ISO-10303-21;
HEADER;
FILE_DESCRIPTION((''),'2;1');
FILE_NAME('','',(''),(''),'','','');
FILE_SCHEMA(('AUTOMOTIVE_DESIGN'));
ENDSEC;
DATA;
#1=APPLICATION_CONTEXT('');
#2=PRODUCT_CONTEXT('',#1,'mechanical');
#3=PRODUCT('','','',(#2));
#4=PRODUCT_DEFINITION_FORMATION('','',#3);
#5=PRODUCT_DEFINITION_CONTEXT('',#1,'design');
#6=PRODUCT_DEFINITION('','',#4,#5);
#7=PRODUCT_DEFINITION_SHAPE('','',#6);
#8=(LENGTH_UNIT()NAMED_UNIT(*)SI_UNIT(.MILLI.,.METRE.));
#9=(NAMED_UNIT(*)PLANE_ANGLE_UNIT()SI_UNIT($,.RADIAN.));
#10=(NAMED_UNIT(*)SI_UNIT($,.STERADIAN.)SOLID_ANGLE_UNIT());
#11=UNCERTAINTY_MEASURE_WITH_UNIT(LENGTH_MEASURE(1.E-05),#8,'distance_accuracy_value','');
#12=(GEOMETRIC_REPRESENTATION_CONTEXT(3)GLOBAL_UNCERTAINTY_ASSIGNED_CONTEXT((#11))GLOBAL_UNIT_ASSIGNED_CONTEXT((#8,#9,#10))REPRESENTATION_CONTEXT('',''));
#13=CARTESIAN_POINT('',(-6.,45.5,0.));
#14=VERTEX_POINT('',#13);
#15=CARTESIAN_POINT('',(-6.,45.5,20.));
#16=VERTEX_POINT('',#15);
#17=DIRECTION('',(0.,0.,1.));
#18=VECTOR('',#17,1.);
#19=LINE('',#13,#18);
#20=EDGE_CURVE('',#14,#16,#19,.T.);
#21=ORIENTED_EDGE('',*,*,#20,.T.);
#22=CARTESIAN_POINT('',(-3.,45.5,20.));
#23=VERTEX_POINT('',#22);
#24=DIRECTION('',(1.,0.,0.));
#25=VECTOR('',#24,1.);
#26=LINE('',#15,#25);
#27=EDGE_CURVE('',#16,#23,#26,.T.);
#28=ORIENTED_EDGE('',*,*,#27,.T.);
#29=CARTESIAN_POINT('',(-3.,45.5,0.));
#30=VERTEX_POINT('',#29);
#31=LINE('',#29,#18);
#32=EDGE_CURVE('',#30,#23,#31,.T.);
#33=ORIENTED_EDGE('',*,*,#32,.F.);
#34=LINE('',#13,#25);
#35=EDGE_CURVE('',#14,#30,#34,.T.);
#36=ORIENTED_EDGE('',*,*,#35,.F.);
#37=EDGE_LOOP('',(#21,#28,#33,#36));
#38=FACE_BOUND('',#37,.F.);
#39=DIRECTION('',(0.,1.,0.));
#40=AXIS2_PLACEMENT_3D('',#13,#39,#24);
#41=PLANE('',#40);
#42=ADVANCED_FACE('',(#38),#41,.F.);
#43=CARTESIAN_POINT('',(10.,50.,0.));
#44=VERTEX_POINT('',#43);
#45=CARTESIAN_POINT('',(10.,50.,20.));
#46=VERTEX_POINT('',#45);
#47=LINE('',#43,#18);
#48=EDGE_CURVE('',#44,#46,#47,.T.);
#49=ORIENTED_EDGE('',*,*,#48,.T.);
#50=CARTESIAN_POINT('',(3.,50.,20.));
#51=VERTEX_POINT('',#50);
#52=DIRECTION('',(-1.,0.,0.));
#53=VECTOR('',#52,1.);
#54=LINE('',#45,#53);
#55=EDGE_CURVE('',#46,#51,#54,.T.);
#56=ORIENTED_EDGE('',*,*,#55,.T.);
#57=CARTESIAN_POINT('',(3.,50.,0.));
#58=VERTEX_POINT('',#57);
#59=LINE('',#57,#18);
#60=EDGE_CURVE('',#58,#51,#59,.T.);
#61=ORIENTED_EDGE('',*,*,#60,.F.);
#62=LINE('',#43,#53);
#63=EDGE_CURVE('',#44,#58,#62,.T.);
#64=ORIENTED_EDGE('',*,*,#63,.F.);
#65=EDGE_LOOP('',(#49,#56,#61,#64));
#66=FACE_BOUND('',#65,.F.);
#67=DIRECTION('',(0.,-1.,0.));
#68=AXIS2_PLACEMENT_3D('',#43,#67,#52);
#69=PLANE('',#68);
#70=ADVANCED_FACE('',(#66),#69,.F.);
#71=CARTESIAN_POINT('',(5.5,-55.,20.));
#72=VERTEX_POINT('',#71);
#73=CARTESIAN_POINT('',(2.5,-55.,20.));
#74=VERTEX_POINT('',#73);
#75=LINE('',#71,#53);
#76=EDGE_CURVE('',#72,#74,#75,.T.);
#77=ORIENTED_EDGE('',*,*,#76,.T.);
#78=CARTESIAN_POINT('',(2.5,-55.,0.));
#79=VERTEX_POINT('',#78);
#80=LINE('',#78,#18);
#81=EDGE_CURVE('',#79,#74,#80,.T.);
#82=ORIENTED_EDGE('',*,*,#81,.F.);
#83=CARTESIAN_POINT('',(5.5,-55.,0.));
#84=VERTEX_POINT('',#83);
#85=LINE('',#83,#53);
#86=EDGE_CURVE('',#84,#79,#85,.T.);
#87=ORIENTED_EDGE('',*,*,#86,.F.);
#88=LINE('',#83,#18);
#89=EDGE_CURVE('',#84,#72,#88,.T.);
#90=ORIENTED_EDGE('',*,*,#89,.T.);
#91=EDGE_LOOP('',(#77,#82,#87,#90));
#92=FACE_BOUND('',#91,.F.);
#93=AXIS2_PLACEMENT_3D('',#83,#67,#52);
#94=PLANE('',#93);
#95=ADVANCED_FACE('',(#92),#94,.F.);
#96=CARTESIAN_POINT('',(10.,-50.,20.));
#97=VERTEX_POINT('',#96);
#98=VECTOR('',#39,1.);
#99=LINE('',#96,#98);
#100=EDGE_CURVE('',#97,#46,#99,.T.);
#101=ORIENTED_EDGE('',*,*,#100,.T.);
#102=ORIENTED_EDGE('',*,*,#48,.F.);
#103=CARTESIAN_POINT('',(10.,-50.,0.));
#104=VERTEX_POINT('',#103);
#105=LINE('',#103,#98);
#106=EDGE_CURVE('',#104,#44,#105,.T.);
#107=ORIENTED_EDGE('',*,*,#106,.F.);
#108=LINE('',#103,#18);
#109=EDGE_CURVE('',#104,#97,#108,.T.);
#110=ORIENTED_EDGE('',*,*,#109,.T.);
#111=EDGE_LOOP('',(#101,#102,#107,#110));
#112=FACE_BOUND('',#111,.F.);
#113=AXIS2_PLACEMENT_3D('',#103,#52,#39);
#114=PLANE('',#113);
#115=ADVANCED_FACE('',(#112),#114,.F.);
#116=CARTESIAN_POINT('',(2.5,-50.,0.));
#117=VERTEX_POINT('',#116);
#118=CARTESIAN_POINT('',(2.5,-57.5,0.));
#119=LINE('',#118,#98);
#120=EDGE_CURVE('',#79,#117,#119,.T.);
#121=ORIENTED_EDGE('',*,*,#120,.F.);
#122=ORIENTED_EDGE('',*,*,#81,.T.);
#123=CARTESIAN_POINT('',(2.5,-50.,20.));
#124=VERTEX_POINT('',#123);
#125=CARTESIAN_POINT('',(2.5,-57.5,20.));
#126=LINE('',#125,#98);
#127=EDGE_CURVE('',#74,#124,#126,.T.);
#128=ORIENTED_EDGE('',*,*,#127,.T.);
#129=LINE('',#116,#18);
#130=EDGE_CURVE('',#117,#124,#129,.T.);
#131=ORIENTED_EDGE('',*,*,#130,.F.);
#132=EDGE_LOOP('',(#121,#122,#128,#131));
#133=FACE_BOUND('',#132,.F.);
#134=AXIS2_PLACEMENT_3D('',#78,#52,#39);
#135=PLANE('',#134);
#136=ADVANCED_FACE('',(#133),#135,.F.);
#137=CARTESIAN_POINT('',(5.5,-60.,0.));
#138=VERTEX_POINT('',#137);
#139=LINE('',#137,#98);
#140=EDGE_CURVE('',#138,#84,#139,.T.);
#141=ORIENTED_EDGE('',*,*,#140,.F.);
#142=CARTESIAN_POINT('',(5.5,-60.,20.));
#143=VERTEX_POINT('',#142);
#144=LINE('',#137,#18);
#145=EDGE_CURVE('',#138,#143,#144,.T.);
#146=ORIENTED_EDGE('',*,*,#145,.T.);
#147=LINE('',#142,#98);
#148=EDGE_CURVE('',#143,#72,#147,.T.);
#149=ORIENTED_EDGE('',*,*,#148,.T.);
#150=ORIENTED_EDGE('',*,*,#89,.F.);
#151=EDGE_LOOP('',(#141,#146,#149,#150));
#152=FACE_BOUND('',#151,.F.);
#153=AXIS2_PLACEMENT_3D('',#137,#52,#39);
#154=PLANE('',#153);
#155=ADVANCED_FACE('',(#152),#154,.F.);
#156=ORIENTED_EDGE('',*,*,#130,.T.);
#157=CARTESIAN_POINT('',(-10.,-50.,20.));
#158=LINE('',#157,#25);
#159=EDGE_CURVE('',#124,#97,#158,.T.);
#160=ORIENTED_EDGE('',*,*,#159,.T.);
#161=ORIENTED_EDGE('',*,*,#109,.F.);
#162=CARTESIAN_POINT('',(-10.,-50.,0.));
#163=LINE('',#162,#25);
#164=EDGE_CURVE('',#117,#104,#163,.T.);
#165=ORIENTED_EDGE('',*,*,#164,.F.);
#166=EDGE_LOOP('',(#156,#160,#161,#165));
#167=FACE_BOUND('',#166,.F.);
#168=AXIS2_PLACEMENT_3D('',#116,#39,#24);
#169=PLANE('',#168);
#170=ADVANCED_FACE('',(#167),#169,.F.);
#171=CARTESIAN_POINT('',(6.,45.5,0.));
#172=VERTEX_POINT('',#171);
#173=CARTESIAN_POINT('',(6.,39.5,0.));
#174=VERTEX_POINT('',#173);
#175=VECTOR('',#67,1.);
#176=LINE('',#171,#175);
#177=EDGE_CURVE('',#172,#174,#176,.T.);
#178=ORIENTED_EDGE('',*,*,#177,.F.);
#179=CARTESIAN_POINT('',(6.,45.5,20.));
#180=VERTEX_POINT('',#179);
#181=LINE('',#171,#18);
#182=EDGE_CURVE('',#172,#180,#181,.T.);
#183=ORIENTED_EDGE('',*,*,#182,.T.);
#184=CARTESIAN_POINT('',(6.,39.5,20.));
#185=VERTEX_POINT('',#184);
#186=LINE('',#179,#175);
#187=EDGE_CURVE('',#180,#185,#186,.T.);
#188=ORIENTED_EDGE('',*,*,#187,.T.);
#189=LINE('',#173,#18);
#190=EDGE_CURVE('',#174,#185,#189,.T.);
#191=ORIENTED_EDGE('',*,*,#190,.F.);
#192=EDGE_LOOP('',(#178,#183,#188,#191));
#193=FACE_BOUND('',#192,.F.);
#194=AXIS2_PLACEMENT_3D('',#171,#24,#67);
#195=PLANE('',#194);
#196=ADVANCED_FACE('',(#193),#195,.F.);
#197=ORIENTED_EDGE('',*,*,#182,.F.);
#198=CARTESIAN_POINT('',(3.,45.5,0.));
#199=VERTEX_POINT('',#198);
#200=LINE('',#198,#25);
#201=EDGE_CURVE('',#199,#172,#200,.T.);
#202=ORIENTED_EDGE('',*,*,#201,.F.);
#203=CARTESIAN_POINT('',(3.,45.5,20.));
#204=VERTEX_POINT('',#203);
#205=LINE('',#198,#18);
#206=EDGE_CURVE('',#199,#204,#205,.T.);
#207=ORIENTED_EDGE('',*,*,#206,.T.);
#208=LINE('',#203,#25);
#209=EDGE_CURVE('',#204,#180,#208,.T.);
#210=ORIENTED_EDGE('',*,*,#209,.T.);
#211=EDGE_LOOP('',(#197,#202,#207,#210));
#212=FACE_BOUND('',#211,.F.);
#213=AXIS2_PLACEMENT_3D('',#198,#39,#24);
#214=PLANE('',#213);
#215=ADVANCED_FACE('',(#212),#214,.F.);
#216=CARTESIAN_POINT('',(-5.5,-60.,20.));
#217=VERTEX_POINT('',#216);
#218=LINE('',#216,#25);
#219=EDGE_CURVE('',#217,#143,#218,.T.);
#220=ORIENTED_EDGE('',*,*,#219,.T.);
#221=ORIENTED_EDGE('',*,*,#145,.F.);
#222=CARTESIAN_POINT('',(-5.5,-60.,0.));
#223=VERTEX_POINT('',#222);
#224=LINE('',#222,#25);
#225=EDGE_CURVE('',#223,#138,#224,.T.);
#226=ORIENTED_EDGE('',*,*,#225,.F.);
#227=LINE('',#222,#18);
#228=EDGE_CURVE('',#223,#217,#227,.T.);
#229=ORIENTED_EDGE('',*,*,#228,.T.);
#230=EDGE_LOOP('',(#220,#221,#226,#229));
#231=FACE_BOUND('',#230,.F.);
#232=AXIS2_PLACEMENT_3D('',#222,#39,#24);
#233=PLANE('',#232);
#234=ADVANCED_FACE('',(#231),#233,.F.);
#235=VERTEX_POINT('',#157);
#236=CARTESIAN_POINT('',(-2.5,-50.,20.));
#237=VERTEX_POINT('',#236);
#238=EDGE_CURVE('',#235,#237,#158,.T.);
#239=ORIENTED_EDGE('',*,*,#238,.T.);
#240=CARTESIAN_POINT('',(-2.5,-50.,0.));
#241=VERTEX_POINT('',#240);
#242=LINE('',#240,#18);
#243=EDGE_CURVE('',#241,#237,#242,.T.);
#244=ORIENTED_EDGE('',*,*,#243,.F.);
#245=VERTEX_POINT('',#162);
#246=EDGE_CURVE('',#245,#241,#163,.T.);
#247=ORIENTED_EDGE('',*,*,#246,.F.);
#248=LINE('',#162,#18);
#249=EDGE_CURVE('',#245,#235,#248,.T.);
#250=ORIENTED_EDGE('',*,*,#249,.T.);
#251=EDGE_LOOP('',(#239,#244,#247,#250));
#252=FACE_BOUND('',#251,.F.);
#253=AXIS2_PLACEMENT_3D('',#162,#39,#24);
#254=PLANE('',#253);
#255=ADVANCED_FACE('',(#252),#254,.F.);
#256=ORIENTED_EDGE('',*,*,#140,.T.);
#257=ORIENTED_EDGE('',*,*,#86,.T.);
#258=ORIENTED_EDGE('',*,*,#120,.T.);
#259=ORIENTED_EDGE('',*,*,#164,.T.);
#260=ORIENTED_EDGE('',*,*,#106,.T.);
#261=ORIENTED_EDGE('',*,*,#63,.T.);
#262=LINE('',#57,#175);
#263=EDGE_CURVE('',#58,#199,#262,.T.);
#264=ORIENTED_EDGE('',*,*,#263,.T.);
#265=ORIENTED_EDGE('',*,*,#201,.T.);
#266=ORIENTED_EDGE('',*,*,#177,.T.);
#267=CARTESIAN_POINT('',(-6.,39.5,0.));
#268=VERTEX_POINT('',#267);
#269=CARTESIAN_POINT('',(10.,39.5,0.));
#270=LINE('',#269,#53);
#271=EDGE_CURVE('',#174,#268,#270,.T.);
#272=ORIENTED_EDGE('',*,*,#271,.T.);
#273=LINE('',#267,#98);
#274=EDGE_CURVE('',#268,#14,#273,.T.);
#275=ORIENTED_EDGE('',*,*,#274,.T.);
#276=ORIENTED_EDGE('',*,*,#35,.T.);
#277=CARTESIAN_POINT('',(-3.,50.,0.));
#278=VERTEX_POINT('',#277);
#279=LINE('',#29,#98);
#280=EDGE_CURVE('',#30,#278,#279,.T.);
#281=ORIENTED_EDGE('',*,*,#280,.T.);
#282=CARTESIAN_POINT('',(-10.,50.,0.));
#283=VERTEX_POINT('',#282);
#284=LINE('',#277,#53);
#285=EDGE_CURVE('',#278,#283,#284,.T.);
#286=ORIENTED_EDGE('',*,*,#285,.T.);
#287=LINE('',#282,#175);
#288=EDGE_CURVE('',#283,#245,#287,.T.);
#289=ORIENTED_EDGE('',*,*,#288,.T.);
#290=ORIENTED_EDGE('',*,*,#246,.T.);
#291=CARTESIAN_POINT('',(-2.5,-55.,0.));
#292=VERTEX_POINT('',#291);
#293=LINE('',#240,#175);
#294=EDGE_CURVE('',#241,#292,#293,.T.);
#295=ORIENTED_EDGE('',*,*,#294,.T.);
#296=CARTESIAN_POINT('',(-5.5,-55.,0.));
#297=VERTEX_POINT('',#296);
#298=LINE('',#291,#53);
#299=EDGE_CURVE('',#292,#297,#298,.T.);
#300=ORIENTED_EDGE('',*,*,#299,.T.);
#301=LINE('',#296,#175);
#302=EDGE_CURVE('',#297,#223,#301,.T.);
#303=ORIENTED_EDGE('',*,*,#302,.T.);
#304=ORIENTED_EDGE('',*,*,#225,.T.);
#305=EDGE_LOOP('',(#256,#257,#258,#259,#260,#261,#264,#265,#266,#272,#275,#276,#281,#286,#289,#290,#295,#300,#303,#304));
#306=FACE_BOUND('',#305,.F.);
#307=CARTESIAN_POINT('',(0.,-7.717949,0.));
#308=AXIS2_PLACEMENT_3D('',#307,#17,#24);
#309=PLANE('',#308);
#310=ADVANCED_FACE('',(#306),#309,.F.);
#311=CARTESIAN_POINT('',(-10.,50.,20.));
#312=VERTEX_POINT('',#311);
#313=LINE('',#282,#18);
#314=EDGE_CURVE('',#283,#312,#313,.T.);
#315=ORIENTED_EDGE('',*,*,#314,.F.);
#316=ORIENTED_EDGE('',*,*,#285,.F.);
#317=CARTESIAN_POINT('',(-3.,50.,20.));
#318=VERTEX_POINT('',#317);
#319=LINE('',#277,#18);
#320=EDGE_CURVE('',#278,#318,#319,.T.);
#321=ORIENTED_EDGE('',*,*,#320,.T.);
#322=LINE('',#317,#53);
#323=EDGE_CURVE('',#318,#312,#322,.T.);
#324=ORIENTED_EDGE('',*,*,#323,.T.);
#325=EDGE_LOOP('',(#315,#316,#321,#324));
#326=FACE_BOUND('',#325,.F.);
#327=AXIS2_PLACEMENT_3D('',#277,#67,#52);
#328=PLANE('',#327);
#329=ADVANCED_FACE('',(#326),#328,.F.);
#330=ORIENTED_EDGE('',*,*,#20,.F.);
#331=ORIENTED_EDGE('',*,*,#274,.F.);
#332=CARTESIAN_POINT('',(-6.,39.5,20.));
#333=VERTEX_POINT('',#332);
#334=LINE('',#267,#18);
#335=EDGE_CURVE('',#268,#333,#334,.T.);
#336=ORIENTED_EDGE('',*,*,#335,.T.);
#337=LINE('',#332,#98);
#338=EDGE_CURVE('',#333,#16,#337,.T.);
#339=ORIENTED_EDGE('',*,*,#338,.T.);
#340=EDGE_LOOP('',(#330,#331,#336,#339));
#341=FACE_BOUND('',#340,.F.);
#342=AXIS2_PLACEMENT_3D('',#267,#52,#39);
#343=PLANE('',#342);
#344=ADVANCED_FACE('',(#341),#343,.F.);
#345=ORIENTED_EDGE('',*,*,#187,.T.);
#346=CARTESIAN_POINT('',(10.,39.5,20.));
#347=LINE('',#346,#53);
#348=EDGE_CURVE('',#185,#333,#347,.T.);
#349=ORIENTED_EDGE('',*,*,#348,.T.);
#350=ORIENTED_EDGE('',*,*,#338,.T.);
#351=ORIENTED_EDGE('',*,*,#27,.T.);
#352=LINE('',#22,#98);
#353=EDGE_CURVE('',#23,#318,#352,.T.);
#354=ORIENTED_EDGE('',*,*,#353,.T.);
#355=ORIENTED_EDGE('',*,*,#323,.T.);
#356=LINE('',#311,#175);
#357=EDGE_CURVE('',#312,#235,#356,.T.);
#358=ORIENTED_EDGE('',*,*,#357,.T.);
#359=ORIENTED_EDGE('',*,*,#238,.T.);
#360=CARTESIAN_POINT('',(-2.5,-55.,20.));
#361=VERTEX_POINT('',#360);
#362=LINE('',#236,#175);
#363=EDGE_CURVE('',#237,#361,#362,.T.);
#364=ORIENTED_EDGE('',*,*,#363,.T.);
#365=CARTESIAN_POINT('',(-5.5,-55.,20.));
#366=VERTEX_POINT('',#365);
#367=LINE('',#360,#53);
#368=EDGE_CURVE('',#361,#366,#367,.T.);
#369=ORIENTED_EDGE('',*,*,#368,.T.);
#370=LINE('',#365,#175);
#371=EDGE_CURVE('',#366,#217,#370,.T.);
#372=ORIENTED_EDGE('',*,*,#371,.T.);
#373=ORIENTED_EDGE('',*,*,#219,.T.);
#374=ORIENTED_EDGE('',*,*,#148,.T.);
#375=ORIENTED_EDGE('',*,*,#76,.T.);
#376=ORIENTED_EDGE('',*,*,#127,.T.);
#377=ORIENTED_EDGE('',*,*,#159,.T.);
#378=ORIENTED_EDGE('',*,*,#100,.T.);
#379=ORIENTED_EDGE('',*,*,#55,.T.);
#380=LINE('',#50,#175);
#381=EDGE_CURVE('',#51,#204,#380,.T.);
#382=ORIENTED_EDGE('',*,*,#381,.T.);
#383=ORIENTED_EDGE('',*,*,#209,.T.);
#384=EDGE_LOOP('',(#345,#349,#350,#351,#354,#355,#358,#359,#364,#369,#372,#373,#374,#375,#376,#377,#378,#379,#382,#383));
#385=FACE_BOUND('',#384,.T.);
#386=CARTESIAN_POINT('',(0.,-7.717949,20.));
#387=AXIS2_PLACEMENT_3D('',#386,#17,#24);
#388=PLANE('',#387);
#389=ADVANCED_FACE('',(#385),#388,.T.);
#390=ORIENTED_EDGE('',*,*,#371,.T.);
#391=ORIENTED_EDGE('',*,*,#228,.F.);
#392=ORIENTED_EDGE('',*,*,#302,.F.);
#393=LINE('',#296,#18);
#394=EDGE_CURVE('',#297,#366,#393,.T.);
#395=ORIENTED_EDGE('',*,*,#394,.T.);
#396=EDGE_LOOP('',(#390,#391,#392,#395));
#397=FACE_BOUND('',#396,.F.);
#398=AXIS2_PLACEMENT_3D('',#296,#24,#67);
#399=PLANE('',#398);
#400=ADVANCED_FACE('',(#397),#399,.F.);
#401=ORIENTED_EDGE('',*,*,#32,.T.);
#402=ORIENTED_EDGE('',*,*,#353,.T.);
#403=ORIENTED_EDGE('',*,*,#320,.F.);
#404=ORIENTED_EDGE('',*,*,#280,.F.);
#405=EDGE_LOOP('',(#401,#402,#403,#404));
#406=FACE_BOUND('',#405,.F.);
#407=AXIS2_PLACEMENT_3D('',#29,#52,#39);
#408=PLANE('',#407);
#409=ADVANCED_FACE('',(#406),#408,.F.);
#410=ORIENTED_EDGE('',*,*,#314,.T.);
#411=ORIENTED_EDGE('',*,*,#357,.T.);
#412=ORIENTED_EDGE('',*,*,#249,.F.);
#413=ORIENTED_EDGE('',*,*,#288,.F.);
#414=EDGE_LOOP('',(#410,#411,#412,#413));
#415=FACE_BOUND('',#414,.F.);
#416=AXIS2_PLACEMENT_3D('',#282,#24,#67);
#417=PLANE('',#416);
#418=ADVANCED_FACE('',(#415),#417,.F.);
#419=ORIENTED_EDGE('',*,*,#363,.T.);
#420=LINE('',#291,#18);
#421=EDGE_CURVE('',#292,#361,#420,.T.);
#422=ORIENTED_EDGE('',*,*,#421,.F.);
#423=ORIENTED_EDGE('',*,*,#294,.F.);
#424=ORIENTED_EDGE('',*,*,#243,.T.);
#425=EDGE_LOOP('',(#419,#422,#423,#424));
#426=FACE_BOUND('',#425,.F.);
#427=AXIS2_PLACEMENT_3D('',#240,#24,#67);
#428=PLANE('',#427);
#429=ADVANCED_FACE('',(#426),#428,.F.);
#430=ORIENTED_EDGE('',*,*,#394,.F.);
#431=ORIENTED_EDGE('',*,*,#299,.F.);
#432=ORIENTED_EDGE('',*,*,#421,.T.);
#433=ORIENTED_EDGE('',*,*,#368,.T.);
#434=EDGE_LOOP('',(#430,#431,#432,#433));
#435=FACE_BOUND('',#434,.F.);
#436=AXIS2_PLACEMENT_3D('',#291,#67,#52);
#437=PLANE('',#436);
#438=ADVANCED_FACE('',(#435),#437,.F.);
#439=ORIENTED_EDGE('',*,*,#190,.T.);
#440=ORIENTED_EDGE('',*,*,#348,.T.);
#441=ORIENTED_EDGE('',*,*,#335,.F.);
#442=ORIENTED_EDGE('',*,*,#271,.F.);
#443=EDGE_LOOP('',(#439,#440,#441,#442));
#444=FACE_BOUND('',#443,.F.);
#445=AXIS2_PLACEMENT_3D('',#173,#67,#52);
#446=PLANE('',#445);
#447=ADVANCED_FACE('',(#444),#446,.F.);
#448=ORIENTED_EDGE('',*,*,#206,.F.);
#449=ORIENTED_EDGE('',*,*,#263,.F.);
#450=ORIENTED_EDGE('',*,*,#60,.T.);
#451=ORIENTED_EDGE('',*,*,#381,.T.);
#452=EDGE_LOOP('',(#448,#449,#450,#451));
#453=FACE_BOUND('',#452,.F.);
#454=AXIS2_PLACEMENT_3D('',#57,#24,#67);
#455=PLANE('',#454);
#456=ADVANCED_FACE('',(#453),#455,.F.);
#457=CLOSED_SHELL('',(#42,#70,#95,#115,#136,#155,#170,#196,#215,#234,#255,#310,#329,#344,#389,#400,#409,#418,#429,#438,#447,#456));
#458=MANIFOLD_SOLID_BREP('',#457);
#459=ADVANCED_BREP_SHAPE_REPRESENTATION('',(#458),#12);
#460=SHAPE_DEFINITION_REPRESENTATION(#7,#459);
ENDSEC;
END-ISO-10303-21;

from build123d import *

# Parameters (mm, degrees)
F0_W     = 5
F0_H     = 7.5
F0_H_2   = 5
F0_H_3   = 2.5
F1_DEPTH = 20


with BuildPart() as f1:
    # F0 (on Top) → F1 (new body)
    with BuildSketch(Plane.XY):
        Polygon((10, 35.000000149), (10, 39.5), (6, 39.5), (-6, 39.5), (-10, 39.5), (-10, 35.000000149), (-10, -32.1153849363), (-10, -39.5), (-10, -50), (-5.75, -50), (-2.5, -50), (-2.5, -42.5), (2.5, -42.5), (2.5, -50), (5.75, -50), (10, -50), (10, -39.5), (10, -32.1153849363), align=None)
        Polygon((10, 39.5), (10, 50), (3, 50), (3, 45.5), (6, 45.5), (6, 39.5), align=None)
        Polygon((-3, 45.5), (-3, 50), (-10, 50), (-10, 39.5), (-6, 39.5), (-6, 45.5), align=None)
        with Locations((0, -46.25)):
            Rectangle(F0_W, F0_H)
        with Locations((0, -52.5)):
            Rectangle(F0_W, F0_H_2)
        with Locations((0, -56.25)):
            Rectangle(F0_W, F0_H_3)
        Polygon((5.5, -55), (2.5, -55), (2.5, -57.5), (-2.5, -57.5), (-2.5, -55), (-5.5, -55), (-5.5, -60), (5.5, -60), align=None)
    extrude(amount=F1_DEPTH)


solid = f1.part
